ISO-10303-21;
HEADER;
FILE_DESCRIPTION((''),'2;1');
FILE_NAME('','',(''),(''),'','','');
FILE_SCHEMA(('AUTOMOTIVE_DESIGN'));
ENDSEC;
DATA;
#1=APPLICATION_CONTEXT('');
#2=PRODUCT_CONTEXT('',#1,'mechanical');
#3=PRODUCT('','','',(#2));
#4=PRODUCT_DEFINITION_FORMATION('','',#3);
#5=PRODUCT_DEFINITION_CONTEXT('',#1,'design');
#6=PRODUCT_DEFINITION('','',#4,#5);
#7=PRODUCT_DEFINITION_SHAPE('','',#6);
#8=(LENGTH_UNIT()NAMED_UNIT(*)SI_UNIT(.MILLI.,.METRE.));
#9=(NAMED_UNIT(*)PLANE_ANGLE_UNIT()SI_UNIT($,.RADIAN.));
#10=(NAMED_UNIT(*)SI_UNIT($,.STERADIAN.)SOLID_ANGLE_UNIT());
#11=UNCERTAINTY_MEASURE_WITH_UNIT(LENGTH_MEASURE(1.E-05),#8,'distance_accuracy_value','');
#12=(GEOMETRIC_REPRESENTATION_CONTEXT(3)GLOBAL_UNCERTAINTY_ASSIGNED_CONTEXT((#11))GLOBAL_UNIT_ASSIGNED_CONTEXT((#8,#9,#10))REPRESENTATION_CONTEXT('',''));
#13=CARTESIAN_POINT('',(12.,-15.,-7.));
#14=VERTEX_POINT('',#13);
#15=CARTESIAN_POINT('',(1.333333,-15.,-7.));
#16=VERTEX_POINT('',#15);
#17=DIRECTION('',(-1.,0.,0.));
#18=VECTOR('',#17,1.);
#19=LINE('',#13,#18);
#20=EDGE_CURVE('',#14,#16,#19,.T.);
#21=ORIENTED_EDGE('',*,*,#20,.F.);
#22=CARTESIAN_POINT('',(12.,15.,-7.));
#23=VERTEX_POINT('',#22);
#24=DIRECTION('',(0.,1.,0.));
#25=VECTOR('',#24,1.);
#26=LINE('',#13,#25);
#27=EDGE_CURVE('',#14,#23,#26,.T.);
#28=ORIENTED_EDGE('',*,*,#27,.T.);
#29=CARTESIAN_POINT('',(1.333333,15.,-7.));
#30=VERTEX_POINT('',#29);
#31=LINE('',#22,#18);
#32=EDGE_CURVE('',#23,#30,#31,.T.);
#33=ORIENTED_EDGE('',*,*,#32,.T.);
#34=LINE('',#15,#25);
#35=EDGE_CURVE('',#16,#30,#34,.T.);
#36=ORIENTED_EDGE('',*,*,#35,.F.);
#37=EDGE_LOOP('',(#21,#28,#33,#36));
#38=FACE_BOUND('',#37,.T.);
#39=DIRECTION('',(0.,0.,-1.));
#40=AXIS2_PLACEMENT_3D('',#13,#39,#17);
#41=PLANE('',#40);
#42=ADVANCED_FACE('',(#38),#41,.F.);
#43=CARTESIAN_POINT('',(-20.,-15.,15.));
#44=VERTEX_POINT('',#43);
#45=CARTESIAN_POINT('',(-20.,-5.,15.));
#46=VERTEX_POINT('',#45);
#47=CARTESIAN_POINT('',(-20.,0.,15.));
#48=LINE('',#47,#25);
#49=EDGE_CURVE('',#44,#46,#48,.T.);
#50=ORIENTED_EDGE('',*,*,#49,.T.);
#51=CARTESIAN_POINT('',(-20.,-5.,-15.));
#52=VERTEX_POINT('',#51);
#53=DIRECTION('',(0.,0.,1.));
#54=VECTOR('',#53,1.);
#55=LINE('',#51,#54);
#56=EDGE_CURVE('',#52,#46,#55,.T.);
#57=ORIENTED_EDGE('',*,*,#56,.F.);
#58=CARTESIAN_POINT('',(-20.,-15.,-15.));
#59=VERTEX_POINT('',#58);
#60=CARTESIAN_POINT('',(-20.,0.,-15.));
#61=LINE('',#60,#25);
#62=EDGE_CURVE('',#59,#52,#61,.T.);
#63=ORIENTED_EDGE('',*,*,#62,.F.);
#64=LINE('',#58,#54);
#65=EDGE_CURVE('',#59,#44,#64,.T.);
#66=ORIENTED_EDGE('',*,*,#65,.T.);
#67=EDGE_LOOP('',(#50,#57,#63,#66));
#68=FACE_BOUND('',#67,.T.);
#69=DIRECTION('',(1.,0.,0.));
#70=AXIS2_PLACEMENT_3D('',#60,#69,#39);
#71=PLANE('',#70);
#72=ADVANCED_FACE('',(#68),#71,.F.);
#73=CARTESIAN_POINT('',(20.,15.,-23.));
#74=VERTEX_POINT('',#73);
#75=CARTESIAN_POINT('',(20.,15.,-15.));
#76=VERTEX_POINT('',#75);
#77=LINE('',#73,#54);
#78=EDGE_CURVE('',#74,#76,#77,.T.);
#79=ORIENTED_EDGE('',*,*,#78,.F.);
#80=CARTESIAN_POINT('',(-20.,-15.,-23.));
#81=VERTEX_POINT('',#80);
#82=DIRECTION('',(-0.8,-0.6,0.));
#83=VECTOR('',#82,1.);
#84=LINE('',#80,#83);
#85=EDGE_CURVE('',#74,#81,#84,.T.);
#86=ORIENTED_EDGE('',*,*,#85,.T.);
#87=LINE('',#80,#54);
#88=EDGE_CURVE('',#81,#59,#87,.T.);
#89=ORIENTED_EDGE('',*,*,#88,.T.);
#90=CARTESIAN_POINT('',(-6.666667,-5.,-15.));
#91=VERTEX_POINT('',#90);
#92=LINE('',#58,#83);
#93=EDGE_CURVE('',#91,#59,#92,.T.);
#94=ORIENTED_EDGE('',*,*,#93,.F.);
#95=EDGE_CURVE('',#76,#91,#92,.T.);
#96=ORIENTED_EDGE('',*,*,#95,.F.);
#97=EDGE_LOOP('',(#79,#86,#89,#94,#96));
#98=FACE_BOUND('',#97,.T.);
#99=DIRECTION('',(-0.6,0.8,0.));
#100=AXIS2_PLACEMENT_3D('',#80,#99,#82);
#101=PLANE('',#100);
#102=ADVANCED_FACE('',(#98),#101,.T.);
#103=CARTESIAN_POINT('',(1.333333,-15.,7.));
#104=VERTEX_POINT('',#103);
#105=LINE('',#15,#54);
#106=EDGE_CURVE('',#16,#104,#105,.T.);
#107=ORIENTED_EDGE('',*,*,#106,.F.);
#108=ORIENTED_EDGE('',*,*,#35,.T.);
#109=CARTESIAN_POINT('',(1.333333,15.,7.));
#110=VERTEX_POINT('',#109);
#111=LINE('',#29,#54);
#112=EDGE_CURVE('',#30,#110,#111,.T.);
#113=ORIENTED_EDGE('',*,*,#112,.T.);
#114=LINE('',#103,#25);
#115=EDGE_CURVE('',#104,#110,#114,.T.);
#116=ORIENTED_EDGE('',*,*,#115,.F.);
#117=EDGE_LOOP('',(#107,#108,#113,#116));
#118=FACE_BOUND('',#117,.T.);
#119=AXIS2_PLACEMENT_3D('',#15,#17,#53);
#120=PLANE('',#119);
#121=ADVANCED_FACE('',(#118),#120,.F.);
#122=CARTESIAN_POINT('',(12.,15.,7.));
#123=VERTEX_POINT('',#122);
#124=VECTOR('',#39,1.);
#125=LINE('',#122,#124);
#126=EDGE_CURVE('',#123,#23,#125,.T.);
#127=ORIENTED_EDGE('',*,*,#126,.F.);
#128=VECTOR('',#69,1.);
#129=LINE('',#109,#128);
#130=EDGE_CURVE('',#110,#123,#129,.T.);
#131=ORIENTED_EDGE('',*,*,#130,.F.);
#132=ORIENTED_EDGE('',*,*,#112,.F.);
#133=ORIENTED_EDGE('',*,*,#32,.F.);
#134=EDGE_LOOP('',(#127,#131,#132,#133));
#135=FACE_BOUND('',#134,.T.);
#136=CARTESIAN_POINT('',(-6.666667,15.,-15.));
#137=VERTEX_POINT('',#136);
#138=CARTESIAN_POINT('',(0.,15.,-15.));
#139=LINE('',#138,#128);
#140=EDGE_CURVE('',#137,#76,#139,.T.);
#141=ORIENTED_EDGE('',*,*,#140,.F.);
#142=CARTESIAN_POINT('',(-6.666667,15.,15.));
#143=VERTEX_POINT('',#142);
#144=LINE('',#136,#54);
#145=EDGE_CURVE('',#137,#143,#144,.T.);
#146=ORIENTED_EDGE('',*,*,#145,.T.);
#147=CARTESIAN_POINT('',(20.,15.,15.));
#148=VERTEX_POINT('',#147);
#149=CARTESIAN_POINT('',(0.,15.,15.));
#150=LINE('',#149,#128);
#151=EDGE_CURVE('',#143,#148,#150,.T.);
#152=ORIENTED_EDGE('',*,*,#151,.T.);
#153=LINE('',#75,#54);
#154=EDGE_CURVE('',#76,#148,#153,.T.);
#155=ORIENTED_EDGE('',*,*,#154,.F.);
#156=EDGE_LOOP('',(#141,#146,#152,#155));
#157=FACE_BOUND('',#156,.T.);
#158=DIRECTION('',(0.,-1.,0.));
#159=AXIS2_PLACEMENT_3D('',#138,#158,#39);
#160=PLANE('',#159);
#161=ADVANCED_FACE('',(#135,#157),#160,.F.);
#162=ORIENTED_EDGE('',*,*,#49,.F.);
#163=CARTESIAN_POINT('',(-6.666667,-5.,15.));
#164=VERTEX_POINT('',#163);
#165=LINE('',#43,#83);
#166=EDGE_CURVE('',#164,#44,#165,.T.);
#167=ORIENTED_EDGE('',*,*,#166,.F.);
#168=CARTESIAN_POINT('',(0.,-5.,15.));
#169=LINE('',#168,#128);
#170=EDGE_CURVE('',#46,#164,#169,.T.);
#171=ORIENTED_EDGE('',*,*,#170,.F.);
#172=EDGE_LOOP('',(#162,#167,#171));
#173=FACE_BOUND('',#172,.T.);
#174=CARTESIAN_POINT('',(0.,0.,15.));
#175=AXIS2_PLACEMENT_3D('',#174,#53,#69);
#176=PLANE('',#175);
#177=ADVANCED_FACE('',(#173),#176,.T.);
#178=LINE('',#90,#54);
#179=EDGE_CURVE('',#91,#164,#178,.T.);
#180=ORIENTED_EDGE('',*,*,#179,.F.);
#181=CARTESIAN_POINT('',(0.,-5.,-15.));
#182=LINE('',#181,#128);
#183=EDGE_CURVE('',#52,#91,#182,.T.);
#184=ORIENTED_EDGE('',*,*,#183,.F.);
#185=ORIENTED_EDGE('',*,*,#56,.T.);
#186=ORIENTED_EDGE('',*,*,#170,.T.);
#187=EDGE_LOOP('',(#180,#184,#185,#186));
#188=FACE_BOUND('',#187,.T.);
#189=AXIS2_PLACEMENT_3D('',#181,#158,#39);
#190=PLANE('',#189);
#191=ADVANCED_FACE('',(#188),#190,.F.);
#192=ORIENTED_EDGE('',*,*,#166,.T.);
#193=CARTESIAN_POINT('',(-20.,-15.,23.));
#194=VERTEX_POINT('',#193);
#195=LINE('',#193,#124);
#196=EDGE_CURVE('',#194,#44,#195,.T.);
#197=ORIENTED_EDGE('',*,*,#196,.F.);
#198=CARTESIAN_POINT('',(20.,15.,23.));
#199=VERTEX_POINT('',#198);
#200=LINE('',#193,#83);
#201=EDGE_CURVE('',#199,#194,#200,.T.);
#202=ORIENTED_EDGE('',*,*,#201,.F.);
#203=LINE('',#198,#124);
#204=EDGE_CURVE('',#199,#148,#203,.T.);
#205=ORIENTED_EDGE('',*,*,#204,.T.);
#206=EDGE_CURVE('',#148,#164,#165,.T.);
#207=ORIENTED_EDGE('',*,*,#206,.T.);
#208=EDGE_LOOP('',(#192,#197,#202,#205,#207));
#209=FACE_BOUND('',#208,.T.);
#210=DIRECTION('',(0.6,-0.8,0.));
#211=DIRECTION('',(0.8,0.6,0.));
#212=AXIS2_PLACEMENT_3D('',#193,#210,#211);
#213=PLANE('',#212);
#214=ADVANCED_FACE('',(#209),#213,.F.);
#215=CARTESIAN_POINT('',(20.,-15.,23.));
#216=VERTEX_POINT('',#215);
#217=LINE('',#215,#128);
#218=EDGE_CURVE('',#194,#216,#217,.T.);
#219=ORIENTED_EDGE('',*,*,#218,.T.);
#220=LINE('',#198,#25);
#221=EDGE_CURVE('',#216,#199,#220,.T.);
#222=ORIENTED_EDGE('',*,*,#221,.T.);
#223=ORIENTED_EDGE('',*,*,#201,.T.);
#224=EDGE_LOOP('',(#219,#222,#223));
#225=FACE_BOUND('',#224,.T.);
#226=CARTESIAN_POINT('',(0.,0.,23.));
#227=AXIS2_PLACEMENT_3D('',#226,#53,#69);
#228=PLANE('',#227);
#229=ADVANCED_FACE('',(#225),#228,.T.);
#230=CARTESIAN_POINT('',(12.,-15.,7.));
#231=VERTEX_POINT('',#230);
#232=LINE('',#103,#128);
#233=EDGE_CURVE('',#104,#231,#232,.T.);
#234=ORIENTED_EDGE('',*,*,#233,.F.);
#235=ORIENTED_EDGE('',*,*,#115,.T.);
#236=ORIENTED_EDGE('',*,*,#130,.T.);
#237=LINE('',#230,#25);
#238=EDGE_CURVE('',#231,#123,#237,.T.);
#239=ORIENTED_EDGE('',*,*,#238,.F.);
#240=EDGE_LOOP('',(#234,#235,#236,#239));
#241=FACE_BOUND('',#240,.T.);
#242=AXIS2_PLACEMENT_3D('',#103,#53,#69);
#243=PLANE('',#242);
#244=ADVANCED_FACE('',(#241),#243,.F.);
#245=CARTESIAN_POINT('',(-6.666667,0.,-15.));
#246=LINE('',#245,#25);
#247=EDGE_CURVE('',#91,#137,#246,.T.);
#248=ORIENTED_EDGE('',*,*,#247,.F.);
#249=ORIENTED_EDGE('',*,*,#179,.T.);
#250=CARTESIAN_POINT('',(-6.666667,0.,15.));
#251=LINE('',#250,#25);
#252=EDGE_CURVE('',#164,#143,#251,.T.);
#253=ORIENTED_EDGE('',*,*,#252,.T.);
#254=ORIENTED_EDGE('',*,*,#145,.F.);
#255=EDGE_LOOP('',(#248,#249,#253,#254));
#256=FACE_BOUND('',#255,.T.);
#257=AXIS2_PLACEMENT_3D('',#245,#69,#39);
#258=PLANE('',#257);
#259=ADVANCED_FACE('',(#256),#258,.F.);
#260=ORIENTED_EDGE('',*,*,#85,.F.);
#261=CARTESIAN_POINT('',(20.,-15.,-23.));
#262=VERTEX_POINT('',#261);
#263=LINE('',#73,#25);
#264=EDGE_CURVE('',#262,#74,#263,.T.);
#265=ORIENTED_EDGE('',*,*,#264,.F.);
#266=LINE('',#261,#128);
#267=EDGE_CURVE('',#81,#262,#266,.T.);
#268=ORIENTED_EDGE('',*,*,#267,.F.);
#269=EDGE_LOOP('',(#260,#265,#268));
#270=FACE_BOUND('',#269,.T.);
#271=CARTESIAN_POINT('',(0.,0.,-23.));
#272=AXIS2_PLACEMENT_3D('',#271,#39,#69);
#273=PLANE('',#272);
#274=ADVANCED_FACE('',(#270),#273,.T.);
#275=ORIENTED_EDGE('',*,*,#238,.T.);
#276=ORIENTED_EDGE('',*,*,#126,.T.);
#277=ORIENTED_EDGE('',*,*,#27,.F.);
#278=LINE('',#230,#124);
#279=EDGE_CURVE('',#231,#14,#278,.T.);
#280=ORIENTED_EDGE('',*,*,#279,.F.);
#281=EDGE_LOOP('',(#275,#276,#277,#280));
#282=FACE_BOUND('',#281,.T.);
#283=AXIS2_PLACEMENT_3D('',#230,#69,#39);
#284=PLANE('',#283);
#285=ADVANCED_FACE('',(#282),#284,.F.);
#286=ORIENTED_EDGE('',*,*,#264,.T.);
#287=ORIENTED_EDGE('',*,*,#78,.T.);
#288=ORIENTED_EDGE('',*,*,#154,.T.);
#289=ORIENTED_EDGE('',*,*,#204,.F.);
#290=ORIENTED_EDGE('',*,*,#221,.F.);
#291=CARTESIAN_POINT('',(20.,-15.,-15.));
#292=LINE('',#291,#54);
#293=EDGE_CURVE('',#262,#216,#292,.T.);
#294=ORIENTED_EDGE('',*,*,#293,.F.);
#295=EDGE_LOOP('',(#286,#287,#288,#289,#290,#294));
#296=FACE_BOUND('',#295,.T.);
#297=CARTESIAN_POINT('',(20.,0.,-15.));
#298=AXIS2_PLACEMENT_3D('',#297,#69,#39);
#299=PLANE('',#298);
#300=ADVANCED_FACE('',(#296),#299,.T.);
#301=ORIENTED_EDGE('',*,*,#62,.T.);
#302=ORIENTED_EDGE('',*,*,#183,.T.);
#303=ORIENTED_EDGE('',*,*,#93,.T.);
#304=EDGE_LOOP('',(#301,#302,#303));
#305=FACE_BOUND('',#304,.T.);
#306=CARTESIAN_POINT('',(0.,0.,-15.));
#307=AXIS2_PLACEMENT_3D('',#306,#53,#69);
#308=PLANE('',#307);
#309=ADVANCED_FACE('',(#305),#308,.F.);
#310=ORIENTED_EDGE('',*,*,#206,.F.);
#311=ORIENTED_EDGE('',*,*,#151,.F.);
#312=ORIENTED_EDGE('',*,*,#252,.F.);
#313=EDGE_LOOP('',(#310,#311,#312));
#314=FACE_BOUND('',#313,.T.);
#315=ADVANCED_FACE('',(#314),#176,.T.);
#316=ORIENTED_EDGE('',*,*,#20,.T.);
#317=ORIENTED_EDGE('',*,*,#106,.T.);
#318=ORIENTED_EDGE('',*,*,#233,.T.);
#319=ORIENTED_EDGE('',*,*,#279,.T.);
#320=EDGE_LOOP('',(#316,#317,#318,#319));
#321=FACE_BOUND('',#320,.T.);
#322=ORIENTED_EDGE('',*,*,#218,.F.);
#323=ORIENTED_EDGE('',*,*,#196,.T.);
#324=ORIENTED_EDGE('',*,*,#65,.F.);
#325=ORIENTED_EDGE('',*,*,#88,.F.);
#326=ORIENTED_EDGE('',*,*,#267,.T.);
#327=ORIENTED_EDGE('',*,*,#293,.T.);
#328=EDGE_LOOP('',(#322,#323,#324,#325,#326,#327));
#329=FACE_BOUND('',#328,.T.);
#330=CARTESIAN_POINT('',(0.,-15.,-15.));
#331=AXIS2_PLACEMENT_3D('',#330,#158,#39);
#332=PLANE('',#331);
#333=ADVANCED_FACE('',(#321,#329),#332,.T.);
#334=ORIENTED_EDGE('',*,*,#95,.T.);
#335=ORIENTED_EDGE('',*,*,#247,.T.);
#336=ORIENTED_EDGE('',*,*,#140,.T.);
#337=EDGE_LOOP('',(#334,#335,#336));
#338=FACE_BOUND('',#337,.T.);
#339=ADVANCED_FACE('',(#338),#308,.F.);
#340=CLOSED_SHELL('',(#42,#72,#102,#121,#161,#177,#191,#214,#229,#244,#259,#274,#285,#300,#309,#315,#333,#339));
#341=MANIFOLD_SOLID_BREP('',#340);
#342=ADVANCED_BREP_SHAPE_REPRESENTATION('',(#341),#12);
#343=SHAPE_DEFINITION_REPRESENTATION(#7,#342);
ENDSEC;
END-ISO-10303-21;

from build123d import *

# Parameters (mm, degrees)
EXTRUDE_1_DEPTH      = 15
EXTRUDE_1_DEPTH_BACK = 15
EXTRUDE_2_DEPTH      = 8
SKETCH_3_W           = 10.666666667
SKETCH_3_H           = 14
CUT_EXTRUDE_1_DEPTH  = 43.766809561


with BuildPart() as part:
    # Эскиз1 → Бобышка-Вытянуть1 (new, two sides: drawn at the far end of the back side and taken through both)
    with BuildSketch(Plane.XY.offset(-EXTRUDE_1_DEPTH_BACK)):
        Polygon((-6.666666667, -5), (-20, -5), (-20, -15), (20, -15), (20, 15), (-6.666666667, 15), align=None)
    extrude(amount=EXTRUDE_1_DEPTH + EXTRUDE_1_DEPTH_BACK)

    # Эскиз2 → Бобышка-Вытянуть2 (add)
    with BuildSketch(Plane.XY.offset(15)):
        Polygon((-20, -15), (20, 15), (20, -15), align=None)
    extrude_2 = extrude(amount=EXTRUDE_2_DEPTH)

    # Зеркальное отражение1: Бобышка-Вытянуть2 across plane
    add(extrude_2.mirror(Plane.XY))

    # Эскиз3 → Вырез-Вытянуть1 (cut, through all)
    with BuildSketch(Plane(origin=(0, 15, 0), x_dir=(1, 0, 0), z_dir=(0, 1, 0))):
        with Locations((6.666666667, 0)):
            Rectangle(SKETCH_3_W, SKETCH_3_H)
    extrude(amount=-CUT_EXTRUDE_1_DEPTH, mode=Mode.SUBTRACT)


solid = part.part
